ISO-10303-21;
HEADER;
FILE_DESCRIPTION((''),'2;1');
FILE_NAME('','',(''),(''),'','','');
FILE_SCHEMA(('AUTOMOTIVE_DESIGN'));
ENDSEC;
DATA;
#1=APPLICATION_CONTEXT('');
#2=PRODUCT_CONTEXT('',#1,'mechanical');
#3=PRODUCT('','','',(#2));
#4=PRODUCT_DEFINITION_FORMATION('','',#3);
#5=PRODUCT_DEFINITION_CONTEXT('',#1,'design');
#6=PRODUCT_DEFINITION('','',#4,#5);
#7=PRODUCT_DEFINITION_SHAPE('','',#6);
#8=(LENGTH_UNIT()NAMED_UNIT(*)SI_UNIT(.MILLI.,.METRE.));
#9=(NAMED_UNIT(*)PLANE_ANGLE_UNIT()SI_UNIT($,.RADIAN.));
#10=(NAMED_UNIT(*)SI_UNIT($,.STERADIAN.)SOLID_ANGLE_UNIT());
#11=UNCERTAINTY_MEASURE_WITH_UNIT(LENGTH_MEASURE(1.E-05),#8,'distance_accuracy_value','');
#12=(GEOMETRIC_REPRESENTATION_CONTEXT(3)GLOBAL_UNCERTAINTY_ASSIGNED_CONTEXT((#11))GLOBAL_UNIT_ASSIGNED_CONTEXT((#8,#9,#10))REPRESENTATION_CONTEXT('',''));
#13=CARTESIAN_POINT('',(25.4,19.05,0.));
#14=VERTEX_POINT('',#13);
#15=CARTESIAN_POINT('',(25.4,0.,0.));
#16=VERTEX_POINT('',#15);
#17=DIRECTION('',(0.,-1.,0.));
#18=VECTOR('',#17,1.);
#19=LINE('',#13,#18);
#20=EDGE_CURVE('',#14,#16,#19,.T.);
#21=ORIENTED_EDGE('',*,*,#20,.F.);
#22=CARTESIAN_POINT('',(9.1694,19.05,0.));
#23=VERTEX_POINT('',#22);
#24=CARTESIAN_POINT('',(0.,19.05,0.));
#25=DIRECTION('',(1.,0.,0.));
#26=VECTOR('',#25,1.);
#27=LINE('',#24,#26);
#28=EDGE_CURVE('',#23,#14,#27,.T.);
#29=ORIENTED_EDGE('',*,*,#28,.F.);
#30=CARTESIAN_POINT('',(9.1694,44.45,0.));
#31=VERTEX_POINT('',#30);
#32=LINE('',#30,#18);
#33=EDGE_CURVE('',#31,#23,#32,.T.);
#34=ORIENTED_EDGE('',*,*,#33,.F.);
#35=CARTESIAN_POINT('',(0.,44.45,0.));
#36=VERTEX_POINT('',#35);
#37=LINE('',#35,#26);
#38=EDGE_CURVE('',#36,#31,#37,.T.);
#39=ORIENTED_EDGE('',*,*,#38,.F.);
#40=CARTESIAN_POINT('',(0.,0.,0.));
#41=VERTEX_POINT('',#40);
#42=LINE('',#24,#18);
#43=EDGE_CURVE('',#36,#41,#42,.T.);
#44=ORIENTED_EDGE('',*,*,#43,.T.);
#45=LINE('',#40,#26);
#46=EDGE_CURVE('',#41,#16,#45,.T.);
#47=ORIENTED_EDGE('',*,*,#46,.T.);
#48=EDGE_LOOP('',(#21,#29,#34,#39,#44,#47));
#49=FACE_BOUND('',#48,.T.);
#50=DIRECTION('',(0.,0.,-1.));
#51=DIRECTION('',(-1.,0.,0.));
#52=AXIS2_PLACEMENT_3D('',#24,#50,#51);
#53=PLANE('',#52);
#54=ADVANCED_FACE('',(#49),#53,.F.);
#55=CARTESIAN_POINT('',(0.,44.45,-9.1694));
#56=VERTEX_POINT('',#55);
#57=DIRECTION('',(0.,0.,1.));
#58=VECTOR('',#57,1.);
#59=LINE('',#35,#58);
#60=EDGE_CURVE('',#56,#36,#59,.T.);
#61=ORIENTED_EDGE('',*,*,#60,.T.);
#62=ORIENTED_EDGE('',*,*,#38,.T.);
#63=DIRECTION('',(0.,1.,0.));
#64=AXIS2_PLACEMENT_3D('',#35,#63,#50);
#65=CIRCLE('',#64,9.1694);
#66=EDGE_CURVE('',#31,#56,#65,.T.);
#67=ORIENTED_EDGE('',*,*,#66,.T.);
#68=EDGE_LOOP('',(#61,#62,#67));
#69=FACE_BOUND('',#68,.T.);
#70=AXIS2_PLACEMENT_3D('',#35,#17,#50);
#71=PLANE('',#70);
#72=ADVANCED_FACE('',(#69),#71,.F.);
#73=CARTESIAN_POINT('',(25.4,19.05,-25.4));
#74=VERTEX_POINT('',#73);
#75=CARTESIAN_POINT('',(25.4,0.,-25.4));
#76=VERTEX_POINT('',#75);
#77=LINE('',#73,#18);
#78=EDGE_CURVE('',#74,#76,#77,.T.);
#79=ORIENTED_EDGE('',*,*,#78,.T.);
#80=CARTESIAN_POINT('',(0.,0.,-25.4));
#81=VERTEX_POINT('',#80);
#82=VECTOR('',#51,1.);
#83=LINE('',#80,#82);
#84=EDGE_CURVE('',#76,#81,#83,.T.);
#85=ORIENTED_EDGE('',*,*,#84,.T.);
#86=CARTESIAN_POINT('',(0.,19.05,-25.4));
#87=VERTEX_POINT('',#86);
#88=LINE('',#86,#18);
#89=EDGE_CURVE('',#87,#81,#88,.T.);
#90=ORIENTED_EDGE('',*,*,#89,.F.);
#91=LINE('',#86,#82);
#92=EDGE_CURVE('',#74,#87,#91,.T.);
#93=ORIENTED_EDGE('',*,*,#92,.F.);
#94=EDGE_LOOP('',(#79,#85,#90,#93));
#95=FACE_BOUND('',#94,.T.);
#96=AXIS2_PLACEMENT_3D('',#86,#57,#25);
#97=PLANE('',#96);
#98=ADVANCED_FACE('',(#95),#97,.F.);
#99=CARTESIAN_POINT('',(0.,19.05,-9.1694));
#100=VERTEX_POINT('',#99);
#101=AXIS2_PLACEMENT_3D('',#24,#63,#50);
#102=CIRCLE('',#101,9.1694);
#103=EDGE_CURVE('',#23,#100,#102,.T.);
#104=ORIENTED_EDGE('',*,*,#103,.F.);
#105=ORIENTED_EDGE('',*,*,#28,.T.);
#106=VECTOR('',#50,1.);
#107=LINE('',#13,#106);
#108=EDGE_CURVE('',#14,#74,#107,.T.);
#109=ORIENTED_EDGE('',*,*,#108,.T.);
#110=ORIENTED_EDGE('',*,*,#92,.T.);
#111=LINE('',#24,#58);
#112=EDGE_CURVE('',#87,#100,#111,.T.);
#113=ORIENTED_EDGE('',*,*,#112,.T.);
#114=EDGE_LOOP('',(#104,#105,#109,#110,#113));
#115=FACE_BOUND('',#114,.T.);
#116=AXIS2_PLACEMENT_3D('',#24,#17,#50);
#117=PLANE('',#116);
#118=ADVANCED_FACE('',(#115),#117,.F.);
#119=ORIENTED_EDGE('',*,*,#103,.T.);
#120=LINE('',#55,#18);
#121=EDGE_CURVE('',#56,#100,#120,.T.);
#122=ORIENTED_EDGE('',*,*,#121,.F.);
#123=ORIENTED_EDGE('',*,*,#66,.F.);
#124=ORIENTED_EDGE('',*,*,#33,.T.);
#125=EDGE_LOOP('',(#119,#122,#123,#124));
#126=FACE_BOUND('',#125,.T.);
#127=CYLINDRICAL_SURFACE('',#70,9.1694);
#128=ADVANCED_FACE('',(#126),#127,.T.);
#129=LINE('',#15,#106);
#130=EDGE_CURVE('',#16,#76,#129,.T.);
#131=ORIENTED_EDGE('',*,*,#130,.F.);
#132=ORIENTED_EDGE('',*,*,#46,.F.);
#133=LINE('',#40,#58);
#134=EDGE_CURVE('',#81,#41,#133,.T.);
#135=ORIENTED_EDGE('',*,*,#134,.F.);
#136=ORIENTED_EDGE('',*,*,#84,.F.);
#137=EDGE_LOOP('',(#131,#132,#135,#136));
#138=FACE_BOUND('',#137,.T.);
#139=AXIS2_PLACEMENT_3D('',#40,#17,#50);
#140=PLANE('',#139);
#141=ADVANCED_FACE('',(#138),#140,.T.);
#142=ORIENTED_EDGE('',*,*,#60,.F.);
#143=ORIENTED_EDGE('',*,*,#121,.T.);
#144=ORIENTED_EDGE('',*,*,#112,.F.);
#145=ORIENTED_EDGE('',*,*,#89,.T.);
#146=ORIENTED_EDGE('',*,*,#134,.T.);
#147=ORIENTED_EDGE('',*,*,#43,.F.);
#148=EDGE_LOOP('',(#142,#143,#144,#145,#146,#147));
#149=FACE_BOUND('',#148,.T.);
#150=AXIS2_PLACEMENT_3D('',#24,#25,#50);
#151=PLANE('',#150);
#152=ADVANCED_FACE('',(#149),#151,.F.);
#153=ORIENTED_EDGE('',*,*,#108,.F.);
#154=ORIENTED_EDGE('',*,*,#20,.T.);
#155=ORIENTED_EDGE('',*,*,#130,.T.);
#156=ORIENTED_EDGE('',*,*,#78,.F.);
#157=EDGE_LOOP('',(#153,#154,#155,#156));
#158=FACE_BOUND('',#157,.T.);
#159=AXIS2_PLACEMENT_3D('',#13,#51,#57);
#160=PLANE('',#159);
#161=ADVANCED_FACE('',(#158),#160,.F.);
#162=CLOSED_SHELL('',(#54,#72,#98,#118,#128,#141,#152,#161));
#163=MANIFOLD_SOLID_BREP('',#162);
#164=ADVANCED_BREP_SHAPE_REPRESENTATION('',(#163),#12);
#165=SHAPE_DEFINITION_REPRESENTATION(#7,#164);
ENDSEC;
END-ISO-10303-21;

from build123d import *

# Parameters (mm, degrees)
SKETCH1_W           = 25.4
SKETCH1_H           = 25.4
BOSS_EXTRUDE1_DEPTH = 19.05
BOSS_EXTRUDE2_DEPTH = 25.4


with BuildPart() as part:
    # Sketch1 → Boss-Extrude1 (new body)
    with BuildSketch(Plane(origin=(0, 0, 0), x_dir=(1, 0, 0), z_dir=(0, 1, 0))):
        with Locations((12.7, 12.7)):
            Rectangle(SKETCH1_W, SKETCH1_H)
    extrude(amount=BOSS_EXTRUDE1_DEPTH)

    # Sketch3 → Boss-Extrude2 (add)
    with BuildSketch(Plane(origin=(0, 19.05, 0), x_dir=(1, 0, 0), z_dir=(0, 1, 0))):
        with BuildLine():
            Line((0, 0), (0, 9.1694))
            ThreePointArc((0, 9.1694), (6.483744919, 6.483744919), (9.1694, 0))
            Line((9.1694, 0), (0, 0))
        make_face()
    extrude(amount=BOSS_EXTRUDE2_DEPTH)


solid = part.part
